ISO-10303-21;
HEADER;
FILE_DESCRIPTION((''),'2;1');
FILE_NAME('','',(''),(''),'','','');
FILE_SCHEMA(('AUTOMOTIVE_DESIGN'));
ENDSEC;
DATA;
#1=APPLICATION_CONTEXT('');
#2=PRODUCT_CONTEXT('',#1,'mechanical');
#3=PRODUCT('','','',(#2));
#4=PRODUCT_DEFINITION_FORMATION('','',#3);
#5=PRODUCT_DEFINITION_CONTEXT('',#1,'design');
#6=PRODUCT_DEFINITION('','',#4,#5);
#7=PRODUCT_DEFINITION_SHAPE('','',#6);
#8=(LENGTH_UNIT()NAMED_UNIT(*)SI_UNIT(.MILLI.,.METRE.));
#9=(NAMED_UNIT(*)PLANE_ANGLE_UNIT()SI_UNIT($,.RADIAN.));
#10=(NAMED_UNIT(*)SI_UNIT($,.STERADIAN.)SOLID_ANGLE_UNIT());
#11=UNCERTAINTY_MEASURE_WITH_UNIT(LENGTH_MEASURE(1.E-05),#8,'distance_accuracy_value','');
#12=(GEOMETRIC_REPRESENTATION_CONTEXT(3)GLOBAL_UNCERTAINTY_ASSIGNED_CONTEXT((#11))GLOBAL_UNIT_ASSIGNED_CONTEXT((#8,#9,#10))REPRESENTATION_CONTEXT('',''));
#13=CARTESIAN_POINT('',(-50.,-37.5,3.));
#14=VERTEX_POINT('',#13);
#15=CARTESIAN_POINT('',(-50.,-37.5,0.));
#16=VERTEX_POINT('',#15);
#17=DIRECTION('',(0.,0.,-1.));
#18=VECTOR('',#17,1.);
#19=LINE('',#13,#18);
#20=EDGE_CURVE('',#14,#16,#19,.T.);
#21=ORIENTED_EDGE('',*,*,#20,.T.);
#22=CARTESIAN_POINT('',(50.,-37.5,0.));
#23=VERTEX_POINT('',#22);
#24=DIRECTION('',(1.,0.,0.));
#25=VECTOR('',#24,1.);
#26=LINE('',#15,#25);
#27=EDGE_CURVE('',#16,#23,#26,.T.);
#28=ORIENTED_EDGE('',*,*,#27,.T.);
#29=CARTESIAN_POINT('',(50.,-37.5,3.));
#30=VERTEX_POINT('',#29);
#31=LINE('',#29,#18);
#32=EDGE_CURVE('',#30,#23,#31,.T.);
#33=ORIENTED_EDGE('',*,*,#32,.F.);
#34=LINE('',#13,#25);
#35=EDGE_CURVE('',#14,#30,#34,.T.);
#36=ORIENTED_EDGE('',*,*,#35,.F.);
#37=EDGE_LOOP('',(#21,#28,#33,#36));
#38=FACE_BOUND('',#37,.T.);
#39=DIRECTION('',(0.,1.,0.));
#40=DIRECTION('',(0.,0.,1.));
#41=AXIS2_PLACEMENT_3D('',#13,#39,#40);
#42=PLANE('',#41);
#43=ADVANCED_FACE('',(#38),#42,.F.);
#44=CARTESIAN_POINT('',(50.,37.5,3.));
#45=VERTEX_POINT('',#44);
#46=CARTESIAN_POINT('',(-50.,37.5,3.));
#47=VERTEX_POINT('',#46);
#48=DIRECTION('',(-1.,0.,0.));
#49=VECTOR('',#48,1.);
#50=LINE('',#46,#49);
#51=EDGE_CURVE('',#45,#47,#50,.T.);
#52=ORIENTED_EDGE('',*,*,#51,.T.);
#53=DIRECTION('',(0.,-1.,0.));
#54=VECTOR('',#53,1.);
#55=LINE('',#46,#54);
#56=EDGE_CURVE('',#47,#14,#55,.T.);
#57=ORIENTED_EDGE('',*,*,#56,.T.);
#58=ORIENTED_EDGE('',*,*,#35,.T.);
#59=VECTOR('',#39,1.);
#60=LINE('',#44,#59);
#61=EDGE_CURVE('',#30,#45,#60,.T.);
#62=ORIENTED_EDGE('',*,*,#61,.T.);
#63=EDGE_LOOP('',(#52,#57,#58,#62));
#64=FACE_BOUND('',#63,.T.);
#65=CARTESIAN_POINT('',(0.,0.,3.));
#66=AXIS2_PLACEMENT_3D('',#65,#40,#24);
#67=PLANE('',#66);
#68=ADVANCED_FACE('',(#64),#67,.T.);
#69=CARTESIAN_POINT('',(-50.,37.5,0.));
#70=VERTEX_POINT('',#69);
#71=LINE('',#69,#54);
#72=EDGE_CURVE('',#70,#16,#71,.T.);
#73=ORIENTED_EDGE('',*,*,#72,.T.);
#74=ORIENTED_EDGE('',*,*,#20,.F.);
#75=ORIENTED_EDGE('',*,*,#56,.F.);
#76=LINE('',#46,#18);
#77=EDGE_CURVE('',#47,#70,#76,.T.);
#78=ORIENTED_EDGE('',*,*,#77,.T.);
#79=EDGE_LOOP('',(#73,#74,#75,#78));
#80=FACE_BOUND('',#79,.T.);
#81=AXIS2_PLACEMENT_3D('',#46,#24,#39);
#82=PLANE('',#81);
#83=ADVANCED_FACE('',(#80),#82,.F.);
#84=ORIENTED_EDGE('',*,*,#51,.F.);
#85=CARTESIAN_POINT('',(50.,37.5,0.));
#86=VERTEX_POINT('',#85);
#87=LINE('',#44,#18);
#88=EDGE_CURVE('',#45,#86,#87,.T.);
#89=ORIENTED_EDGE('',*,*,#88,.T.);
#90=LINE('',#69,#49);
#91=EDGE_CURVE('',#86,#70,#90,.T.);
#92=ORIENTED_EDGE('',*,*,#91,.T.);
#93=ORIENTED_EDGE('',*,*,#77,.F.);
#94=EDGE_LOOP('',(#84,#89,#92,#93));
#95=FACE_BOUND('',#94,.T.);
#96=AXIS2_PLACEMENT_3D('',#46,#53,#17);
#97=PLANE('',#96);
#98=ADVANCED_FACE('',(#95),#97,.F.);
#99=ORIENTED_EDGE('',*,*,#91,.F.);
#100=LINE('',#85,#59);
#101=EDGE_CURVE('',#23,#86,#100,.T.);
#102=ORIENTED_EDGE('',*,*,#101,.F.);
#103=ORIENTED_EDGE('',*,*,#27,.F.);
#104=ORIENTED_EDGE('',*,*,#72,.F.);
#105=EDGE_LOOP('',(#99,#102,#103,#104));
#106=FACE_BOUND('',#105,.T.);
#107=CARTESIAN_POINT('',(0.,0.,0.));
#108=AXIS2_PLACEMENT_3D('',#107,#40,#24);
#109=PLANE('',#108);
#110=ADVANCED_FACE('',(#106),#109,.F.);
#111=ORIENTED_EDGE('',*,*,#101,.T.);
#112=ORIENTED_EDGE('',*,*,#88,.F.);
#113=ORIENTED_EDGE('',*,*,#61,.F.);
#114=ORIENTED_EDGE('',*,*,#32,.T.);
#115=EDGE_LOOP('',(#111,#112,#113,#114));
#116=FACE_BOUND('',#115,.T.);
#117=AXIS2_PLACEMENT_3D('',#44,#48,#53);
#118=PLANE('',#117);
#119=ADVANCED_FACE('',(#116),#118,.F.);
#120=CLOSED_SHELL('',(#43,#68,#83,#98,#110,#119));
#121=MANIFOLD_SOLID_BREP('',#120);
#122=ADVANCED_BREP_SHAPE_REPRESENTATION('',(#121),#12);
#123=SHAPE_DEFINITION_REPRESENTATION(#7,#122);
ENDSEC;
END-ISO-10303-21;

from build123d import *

# Parameters (mm, degrees)
CROQUIS1_W              = 100
CROQUIS1_H              = 75
SALIENTE_EXTRUIR1_DEPTH = 3


with BuildPart() as part:
    # Croquis1 → Saliente-Extruir1 (new body)
    with BuildSketch(Plane.XY):
        Rectangle(CROQUIS1_W, CROQUIS1_H)
    extrude(amount=SALIENTE_EXTRUIR1_DEPTH)


solid = part.part
